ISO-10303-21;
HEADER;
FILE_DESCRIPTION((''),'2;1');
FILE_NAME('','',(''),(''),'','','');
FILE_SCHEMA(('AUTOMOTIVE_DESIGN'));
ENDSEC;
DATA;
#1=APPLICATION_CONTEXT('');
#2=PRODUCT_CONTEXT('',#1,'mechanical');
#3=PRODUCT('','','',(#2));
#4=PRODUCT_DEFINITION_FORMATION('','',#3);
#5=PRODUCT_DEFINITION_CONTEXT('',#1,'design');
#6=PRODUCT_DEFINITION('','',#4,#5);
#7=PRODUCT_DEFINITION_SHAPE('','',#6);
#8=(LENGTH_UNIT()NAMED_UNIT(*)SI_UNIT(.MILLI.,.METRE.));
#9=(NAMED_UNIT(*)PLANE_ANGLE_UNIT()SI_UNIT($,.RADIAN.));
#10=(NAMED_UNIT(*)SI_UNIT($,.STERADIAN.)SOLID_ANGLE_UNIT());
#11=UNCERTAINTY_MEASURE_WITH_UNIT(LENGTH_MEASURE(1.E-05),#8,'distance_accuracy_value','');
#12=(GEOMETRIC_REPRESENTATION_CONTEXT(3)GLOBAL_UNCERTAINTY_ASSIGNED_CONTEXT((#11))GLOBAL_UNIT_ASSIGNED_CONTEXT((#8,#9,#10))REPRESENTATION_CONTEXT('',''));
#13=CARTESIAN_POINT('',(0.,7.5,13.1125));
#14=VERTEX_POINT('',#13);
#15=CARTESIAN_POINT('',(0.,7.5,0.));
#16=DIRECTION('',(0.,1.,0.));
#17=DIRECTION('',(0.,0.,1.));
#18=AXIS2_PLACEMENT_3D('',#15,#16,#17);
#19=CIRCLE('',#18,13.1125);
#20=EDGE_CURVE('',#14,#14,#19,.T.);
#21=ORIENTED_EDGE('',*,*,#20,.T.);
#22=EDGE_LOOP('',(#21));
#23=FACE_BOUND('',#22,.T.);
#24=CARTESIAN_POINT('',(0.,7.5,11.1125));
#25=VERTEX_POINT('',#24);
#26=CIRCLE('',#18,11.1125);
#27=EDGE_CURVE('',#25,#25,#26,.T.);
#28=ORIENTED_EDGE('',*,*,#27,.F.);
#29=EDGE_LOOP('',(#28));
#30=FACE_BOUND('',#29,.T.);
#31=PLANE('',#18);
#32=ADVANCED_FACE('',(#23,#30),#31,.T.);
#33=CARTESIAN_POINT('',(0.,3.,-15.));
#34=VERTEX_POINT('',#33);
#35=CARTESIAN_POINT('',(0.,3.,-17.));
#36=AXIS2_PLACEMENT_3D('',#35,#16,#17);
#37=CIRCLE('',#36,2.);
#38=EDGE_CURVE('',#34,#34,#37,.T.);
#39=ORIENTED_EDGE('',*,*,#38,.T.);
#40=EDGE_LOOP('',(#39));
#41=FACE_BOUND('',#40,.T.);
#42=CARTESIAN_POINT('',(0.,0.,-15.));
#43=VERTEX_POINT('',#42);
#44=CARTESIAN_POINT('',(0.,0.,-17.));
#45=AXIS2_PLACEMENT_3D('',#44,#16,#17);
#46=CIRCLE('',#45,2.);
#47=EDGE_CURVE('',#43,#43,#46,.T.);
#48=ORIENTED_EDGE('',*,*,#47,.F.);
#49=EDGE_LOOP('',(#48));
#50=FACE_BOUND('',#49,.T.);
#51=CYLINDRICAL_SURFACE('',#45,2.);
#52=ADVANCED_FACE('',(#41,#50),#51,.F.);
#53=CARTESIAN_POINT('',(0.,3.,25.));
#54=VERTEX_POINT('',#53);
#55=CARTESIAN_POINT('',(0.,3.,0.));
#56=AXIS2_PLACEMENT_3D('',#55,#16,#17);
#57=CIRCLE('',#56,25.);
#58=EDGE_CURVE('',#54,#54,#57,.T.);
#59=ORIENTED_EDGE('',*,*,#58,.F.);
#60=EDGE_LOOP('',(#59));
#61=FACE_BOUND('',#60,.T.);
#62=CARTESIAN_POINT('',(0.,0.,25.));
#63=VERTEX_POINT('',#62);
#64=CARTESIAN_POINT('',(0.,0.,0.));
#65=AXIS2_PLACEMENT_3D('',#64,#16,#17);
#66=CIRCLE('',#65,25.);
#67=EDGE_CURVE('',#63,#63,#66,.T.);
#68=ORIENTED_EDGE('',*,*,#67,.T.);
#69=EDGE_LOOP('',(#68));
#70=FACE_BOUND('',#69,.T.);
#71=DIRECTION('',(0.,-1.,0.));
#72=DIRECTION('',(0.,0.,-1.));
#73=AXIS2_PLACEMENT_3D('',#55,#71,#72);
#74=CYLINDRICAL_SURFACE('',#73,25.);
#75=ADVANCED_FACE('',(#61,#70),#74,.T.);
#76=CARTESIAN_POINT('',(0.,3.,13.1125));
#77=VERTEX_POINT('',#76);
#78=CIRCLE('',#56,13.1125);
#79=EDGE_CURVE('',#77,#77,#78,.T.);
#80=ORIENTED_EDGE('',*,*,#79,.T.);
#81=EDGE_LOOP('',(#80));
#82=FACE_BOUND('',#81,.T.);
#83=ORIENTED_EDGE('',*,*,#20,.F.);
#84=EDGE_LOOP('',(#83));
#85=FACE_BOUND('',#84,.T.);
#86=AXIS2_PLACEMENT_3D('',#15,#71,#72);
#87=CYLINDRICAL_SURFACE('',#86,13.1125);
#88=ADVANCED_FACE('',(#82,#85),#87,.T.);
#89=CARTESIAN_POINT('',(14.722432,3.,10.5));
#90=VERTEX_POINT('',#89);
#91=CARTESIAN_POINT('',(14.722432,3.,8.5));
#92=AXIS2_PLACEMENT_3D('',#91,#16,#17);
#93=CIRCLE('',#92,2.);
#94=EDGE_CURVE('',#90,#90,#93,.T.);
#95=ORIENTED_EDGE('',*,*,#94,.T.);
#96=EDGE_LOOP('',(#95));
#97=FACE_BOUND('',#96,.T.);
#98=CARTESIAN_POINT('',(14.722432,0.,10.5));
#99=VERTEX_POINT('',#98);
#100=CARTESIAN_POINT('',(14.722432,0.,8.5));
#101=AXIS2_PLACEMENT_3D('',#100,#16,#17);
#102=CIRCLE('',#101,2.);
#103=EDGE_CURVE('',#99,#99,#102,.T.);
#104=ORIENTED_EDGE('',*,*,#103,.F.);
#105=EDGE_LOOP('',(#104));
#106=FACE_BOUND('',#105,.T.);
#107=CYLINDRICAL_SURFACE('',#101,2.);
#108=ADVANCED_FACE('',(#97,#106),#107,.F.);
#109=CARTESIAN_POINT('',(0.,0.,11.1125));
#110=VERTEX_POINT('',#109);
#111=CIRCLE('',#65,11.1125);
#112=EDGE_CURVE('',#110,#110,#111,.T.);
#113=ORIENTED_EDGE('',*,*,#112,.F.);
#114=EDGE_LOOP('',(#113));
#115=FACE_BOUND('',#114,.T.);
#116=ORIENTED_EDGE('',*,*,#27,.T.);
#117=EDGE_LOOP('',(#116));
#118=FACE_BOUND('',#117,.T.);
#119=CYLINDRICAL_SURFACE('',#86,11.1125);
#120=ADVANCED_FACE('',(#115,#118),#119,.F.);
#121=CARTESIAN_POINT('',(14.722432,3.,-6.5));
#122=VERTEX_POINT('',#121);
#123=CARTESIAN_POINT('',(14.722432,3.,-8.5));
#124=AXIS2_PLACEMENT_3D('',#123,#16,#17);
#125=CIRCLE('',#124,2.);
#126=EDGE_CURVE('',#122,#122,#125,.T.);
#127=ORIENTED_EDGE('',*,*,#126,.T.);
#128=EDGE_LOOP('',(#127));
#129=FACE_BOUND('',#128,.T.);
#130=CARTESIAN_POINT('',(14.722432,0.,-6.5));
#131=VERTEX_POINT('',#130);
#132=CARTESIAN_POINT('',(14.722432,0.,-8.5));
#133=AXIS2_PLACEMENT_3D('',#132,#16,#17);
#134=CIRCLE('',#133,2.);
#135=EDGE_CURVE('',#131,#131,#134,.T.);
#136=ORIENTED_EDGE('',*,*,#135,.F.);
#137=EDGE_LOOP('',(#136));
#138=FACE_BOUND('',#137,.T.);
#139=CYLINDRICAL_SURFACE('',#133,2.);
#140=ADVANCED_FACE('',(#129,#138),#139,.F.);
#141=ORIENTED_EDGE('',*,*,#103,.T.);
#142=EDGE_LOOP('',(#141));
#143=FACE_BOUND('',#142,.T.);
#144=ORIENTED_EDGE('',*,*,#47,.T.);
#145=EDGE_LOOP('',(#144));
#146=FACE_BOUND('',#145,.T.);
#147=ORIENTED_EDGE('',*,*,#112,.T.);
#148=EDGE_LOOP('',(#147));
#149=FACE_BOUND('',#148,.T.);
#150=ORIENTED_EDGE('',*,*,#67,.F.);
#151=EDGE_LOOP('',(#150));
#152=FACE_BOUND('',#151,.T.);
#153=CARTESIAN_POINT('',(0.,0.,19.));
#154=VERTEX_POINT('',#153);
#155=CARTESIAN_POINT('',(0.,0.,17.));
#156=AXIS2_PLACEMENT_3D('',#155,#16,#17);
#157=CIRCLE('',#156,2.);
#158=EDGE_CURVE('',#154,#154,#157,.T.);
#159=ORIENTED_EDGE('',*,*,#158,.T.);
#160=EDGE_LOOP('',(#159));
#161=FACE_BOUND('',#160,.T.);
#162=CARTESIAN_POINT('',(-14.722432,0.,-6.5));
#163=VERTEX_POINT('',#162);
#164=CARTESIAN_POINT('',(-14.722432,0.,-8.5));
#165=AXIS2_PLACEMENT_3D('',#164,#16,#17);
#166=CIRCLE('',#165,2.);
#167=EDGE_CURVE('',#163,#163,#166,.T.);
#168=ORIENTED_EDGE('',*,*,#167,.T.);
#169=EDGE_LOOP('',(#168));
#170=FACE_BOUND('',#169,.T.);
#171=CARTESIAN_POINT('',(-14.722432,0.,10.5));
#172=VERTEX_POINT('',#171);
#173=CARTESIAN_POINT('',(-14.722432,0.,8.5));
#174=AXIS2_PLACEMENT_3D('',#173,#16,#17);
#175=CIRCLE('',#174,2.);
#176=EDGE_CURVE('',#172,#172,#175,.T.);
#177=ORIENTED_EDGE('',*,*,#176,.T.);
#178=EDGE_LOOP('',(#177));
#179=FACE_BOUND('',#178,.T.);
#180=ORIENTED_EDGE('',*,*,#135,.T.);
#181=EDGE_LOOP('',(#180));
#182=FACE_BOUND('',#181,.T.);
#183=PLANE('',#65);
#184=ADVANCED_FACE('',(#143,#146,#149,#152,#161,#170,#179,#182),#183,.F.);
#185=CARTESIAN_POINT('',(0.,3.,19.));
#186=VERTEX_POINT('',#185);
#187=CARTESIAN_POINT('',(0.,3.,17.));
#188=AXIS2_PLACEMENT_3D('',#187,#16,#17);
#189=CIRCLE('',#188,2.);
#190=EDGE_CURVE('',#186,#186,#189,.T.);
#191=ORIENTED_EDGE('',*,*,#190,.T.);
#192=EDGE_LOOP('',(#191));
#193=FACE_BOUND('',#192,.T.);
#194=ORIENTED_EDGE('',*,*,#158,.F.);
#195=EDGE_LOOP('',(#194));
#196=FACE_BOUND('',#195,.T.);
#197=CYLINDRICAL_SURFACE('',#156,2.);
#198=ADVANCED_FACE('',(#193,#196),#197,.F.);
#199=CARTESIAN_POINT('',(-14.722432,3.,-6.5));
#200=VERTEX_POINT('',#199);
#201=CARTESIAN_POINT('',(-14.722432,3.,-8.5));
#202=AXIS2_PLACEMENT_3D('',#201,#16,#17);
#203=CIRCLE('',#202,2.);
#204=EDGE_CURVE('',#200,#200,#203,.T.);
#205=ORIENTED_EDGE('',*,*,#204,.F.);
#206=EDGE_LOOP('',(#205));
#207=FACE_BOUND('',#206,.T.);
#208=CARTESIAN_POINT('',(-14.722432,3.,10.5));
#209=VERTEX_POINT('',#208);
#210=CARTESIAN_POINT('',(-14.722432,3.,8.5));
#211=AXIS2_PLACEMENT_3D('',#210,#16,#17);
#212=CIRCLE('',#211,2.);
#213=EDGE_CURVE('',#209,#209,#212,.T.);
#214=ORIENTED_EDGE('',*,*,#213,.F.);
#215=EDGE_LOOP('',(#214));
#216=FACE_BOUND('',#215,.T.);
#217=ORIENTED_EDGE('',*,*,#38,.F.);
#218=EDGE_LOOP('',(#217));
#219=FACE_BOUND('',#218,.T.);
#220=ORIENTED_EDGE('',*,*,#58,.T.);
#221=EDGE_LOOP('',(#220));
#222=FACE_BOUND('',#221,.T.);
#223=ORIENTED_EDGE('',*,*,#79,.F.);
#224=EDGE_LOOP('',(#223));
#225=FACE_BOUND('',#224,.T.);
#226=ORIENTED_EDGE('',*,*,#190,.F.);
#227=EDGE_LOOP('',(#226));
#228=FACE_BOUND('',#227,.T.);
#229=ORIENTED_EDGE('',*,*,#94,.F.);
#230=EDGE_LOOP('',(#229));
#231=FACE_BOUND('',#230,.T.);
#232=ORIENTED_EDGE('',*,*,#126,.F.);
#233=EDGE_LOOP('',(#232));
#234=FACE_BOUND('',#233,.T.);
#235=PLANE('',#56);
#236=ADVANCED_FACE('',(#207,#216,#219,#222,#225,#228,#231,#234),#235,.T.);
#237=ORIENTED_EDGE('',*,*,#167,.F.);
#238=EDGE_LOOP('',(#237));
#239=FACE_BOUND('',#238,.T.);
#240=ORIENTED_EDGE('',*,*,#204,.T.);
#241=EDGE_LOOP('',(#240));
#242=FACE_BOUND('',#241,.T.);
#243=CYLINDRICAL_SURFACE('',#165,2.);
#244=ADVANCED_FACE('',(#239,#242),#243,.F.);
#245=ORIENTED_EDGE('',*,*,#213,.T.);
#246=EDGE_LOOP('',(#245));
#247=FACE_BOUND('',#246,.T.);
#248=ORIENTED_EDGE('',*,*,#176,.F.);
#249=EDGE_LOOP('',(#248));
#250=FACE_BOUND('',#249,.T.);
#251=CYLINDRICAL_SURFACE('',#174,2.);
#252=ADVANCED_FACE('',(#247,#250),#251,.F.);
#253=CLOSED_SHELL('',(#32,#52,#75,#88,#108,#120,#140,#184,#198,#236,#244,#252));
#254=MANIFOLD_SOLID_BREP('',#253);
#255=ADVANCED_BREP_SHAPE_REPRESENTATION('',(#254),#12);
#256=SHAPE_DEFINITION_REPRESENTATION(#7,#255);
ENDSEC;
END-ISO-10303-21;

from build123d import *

# Parameters (mm, degrees)
CROQUIS1_R              = 25
CROQUIS1_R_2            = 4.7625
SALIENTE_EXTRUIR1_DEPTH = 3
CROQUIS2_R              = 2
CORTAR_EXTRUIR1_DEPTH   = 4
CROQUIS3_R              = 13.1125
CROQUIS3_R_2            = 11.1125
SALIENTE_EXTRUIR2_DEPTH = 4.5
CROQUIS3_2_R            = 11.1125
CROQUIS3_2_R_2          = 4.7625
CORTAR_EXTRUIR2_DEPTH   = 4


with BuildPart() as part:
    # Croquis1 → Saliente-Extruir1 (new body)
    with BuildSketch(Plane(origin=(0, 0, 0), x_dir=(1, 0, 0), z_dir=(0, 1, 0))):
        Circle(CROQUIS1_R)
        Circle(CROQUIS1_R_2, mode=Mode.SUBTRACT)
    extrude(amount=SALIENTE_EXTRUIR1_DEPTH)

    # Croquis2 → Cortar-Extruir1 (cut, through all)
    with BuildSketch(Plane(origin=(0, 3, 0), x_dir=(1, 0, 0), z_dir=(0, 1, 0))):
        with Locations((0, 17)):
            Circle(CROQUIS2_R)
        with Locations((14.722431864, 8.5)):
            Circle(CROQUIS2_R)
        with Locations((14.722431864, -8.5)):
            Circle(CROQUIS2_R)
        with Locations((0, -17)):
            Circle(CROQUIS2_R)
        with Locations((-14.722431864, -8.5)):
            Circle(CROQUIS2_R)
        with Locations((-14.722431864, 8.5)):
            Circle(CROQUIS2_R)
    extrude(amount=-CORTAR_EXTRUIR1_DEPTH, mode=Mode.SUBTRACT)

    # Croquis3 → Saliente-Extruir2 (add)
    with BuildSketch(Plane(origin=(0, 3, 0), x_dir=(1, 0, 0), z_dir=(0, 1, 0))):
        Circle(CROQUIS3_R)
        Circle(CROQUIS3_R_2, mode=Mode.SUBTRACT)
    extrude(amount=SALIENTE_EXTRUIR2_DEPTH)

    # Croquis3<2> → Cortar-Extruir2 (cut, through all)
    with BuildSketch(Plane(origin=(0, 3, 0), x_dir=(1, 0, 0), z_dir=(0, 1, 0))):
        Circle(CROQUIS3_2_R)
        Circle(CROQUIS3_2_R_2, mode=Mode.SUBTRACT)
    extrude(amount=-CORTAR_EXTRUIR2_DEPTH, mode=Mode.SUBTRACT)


solid = part.part
